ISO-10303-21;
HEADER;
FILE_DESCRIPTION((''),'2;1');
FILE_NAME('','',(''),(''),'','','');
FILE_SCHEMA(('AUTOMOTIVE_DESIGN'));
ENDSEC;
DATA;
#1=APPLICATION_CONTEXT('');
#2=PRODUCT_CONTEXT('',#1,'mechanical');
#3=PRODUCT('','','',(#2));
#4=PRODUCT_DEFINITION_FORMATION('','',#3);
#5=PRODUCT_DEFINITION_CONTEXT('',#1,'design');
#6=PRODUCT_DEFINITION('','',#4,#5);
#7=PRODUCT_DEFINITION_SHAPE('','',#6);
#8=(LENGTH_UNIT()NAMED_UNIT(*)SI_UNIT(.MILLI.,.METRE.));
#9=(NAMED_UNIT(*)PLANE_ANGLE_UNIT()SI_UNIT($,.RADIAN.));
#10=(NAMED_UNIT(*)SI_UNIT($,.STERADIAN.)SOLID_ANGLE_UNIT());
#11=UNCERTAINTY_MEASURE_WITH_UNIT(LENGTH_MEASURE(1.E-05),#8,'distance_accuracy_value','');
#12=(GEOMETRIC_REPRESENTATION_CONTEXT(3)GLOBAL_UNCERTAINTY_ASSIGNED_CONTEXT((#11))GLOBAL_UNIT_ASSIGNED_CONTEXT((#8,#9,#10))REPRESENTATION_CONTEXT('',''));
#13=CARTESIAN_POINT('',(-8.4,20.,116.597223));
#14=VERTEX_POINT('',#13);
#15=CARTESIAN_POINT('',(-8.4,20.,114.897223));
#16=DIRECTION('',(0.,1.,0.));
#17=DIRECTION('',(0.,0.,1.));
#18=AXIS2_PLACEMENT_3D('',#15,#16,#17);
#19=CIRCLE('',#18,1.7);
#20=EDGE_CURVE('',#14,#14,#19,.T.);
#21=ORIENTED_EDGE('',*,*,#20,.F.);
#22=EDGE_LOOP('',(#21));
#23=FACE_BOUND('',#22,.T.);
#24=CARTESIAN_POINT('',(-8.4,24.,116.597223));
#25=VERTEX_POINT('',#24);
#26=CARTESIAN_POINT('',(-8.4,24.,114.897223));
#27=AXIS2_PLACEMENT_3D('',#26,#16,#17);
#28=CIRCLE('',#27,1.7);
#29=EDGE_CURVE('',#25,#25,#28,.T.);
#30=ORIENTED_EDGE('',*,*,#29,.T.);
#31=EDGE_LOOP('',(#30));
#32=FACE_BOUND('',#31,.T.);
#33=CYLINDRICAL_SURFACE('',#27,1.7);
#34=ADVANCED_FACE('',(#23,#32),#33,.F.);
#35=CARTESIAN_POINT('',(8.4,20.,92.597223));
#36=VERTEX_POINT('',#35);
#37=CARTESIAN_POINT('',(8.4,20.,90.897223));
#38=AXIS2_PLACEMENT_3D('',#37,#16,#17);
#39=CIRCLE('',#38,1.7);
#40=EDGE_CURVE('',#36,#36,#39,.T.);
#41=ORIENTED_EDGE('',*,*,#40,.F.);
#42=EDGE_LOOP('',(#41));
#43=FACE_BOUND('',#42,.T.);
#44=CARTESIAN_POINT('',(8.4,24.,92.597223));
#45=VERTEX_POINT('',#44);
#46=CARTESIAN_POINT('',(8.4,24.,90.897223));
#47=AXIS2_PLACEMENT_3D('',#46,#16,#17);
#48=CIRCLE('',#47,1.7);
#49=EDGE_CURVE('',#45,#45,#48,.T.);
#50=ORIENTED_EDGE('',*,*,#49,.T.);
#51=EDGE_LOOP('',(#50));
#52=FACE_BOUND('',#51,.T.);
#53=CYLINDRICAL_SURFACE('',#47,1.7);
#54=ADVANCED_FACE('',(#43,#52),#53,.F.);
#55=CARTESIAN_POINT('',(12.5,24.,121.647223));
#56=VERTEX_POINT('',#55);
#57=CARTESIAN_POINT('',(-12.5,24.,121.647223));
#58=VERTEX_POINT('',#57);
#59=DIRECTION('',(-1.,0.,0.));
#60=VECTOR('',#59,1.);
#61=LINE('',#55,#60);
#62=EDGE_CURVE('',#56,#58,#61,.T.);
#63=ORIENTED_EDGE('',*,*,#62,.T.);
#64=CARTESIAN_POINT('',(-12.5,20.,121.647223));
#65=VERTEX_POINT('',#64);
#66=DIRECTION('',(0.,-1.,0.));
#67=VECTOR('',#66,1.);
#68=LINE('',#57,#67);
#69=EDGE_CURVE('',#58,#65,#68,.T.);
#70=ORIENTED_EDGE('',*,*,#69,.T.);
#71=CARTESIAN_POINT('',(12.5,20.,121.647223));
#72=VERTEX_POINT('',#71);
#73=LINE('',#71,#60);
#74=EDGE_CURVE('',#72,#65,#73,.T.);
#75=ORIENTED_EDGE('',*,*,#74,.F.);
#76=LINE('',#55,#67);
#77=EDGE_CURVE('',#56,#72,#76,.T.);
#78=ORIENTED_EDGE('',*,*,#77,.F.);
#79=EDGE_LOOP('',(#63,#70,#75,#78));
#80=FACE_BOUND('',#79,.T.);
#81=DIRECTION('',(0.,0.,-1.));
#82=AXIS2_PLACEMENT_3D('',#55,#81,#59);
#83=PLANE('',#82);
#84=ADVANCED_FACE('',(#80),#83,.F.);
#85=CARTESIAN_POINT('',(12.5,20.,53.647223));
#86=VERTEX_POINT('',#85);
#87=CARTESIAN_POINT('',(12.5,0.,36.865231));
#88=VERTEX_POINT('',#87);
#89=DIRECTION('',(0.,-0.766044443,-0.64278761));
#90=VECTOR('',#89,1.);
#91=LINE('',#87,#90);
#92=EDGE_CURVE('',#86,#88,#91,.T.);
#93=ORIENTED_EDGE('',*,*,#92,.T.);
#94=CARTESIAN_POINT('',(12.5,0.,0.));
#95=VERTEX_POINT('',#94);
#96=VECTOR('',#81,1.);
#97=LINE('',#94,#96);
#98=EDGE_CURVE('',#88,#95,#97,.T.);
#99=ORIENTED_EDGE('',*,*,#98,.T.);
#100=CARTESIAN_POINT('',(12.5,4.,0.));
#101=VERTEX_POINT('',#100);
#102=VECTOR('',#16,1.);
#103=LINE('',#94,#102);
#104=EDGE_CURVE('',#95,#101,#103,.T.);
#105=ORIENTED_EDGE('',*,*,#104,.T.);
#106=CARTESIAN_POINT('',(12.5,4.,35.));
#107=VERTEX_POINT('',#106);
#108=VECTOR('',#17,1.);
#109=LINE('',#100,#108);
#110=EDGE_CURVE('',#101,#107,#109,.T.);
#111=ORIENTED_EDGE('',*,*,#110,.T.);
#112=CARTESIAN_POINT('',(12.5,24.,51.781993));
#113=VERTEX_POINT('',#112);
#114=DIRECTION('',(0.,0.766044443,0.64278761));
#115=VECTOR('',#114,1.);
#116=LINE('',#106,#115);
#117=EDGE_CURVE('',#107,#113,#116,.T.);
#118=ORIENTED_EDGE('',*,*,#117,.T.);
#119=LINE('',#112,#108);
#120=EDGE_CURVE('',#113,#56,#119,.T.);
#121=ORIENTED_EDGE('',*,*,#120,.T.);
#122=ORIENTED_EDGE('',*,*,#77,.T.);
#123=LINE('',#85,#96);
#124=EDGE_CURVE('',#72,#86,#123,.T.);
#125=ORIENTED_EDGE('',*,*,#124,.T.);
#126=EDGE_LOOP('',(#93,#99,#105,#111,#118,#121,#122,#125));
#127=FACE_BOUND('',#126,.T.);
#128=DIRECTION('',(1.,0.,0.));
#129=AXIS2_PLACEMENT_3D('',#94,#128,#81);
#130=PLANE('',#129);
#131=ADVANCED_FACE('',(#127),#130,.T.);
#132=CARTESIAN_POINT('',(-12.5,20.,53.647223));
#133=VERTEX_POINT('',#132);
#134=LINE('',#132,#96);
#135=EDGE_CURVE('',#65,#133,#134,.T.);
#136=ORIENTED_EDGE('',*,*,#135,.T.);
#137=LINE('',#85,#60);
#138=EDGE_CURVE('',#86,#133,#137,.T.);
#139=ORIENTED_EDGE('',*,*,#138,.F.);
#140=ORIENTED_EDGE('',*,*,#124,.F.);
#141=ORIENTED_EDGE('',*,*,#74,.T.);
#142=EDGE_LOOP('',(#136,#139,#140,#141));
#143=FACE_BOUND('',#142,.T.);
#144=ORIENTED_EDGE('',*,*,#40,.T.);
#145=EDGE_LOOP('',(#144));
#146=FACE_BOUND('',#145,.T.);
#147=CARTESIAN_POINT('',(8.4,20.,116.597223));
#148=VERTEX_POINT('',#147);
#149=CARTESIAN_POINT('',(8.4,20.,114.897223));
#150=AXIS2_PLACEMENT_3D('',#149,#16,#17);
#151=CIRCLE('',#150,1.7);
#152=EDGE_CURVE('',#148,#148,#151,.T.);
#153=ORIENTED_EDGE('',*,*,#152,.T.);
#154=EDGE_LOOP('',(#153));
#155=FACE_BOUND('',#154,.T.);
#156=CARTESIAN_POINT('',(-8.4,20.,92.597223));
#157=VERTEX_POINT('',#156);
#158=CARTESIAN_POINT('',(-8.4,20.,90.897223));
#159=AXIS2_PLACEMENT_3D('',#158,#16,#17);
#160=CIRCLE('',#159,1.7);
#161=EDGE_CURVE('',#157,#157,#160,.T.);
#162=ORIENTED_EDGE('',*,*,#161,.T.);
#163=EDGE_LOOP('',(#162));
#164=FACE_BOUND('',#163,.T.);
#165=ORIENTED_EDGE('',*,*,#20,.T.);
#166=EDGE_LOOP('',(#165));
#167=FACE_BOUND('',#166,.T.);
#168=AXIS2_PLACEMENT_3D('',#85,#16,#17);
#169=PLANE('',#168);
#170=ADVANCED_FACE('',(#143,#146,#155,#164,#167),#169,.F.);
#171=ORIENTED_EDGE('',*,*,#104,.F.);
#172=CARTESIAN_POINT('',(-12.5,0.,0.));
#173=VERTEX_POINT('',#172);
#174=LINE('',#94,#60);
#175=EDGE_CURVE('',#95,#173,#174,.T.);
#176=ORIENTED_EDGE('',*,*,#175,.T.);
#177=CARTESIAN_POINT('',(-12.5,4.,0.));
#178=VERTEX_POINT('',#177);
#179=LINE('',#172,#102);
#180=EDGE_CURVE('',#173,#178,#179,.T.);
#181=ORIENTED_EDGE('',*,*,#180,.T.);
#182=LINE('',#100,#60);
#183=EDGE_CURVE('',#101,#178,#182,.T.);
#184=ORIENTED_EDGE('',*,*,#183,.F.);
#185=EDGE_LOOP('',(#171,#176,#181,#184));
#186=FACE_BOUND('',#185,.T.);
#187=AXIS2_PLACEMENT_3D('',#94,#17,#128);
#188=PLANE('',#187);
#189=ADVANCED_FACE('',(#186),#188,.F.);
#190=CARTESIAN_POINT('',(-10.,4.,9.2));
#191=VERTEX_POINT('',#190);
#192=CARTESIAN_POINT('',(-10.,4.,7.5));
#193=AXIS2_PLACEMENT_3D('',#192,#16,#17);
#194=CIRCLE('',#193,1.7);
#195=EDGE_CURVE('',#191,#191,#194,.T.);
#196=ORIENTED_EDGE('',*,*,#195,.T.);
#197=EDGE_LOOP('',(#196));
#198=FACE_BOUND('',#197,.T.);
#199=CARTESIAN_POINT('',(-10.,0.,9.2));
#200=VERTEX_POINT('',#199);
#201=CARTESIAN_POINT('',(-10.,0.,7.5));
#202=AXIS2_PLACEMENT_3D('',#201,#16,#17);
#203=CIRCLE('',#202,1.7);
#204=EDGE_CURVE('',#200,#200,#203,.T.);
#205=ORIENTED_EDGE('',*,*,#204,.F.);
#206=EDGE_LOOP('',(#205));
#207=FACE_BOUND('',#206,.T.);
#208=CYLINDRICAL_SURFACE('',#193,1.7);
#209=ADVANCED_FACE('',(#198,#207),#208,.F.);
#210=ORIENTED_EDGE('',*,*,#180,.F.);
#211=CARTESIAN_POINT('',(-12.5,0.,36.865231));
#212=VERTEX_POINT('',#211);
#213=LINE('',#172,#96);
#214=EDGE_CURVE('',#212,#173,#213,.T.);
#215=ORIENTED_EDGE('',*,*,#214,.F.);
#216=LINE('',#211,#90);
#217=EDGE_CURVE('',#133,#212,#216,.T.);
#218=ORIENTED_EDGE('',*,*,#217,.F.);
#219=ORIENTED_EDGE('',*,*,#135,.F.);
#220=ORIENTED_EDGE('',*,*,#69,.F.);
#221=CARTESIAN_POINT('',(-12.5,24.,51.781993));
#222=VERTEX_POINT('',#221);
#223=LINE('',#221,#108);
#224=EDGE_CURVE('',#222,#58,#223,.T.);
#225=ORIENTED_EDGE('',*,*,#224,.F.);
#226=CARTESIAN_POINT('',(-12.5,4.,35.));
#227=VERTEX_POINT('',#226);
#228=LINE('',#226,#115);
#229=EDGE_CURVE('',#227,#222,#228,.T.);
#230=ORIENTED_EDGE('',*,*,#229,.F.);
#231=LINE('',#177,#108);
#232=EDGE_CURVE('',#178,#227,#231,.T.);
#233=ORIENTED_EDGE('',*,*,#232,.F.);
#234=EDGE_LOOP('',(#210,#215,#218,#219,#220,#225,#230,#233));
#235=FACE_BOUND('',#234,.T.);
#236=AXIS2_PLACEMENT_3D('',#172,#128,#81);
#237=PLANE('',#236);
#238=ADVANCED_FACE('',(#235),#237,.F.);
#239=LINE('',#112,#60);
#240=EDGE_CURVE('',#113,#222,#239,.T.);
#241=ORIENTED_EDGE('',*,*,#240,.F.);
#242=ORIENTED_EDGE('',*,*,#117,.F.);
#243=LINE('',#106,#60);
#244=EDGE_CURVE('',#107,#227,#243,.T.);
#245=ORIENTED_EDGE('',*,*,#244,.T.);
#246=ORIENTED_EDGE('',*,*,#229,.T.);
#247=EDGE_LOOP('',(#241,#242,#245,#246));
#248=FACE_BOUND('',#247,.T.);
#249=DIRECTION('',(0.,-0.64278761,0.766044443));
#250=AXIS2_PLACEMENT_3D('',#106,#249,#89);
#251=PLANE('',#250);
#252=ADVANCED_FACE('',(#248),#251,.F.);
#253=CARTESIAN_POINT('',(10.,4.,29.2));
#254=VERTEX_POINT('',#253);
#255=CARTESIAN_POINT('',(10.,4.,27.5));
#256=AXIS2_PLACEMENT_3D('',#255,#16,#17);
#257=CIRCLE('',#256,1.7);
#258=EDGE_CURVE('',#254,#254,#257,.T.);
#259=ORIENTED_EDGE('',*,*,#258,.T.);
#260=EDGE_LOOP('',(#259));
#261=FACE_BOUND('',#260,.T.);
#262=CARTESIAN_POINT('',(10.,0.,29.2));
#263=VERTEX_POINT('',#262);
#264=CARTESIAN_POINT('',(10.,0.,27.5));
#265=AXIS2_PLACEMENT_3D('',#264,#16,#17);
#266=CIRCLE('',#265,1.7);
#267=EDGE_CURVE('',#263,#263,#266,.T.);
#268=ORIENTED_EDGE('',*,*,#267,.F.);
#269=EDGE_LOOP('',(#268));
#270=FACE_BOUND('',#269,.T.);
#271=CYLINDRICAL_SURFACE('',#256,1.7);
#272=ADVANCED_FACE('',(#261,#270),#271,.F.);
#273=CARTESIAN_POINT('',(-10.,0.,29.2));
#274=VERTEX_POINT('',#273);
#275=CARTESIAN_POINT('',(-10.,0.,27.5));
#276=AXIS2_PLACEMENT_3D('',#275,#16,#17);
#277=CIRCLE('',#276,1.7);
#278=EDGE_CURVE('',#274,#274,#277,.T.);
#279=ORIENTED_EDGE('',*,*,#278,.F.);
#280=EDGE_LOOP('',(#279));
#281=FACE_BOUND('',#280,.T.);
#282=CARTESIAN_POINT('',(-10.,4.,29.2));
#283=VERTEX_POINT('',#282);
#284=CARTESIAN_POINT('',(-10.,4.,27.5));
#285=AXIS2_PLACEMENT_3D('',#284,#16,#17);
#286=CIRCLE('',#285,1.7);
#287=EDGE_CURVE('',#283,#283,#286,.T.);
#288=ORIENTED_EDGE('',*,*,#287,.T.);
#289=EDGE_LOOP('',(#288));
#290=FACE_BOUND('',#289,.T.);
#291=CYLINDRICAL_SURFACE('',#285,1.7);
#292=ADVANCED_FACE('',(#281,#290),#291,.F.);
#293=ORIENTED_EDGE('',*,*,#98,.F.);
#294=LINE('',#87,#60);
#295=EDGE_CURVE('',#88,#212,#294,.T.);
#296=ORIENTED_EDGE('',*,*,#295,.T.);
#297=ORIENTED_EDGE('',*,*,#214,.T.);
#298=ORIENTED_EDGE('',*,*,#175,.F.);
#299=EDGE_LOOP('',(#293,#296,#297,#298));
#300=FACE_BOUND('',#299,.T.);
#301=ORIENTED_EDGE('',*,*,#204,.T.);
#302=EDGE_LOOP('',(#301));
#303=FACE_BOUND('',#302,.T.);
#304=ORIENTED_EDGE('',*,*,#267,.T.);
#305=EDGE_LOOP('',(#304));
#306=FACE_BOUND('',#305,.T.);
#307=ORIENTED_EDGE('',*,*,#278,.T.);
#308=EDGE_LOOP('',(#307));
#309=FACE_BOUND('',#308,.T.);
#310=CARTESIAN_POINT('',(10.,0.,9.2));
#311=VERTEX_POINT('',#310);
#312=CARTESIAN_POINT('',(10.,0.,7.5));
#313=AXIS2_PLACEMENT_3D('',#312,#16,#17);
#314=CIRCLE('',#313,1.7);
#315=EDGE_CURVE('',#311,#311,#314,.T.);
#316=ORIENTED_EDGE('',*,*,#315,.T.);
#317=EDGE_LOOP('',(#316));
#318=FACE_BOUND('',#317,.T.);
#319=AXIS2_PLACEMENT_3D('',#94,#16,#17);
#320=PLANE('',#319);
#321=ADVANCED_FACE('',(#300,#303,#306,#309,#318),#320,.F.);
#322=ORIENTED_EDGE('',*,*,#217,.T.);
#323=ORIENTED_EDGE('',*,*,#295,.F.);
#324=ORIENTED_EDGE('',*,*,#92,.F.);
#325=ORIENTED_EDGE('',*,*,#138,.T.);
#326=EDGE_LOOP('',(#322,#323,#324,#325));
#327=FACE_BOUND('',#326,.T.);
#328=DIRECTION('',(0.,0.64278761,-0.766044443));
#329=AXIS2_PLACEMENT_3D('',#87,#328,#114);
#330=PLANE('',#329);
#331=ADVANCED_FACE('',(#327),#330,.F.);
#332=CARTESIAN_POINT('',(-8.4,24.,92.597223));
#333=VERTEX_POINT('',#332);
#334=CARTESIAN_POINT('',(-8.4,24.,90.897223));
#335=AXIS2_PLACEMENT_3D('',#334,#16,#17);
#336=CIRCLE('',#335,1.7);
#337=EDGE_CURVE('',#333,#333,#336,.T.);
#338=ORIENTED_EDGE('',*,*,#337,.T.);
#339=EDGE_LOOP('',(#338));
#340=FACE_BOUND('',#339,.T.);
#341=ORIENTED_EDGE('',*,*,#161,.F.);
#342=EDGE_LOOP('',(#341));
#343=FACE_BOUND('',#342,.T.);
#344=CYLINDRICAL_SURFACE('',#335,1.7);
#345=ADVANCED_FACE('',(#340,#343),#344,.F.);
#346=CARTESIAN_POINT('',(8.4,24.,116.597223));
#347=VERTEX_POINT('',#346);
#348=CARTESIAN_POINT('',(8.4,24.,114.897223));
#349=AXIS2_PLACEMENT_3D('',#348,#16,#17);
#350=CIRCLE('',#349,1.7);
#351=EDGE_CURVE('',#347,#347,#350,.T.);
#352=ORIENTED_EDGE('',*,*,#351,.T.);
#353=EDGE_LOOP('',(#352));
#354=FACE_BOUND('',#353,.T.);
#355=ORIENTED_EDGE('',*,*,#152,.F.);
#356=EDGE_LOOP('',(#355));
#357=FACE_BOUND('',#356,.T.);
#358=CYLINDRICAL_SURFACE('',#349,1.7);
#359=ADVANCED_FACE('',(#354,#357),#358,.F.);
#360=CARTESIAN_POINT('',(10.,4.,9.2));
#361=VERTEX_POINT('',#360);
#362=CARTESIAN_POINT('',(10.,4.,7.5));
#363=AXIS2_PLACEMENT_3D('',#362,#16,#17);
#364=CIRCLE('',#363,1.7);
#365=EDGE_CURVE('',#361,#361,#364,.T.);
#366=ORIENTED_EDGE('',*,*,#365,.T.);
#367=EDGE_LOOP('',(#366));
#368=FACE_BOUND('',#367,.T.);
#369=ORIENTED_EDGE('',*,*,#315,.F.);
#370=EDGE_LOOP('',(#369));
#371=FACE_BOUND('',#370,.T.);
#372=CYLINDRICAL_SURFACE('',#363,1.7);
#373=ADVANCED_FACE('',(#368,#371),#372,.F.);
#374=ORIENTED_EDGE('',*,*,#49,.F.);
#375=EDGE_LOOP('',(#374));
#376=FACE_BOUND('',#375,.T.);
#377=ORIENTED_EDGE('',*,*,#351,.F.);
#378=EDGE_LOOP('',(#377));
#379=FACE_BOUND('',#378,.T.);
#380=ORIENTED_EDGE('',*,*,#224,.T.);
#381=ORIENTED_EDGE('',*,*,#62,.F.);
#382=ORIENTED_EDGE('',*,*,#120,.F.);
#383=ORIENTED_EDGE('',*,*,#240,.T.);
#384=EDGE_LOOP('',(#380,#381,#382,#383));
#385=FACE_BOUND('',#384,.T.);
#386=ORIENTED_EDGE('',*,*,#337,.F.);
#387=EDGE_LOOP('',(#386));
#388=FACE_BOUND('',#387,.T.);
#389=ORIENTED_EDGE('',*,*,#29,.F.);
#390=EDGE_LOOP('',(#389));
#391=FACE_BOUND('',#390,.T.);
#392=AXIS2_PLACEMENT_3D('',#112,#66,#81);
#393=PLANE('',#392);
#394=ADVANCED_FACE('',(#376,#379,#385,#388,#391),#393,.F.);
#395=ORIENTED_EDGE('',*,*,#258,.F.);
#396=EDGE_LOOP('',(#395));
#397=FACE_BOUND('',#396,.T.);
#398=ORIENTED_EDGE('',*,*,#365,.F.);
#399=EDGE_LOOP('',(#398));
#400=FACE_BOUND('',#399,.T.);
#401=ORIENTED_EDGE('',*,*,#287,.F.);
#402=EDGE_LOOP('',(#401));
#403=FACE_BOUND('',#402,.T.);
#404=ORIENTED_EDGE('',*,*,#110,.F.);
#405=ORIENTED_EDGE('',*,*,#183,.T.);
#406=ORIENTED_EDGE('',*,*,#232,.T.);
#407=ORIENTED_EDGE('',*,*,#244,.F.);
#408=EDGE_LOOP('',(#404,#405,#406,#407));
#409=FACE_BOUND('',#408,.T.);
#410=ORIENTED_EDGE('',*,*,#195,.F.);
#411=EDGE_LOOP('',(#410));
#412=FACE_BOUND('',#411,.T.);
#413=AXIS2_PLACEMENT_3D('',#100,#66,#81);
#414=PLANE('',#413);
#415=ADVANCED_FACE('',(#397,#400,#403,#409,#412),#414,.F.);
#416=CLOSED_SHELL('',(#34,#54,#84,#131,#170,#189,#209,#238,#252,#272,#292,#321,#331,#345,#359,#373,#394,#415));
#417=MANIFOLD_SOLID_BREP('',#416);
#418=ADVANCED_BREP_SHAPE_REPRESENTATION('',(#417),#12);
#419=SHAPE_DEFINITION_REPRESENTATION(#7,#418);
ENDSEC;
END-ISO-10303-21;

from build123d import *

# Parameters (mm, degrees)
BOSS_EXTRUDE1_DEPTH      = 12.5
M3_CLEARANCE_HOLE1_D     = 3.4
M3_CLEARANCE_HOLE1_DEPTH = 8.5
M3_CLEARANCE_HOLE1_TIP   = 1.021463052
M3_CLEARANCE_HOLE2_D     = 3.4
M3_CLEARANCE_HOLE2_DEPTH = 8.5
M3_CLEARANCE_HOLE2_TIP   = 1.021463052


with BuildPart() as part:
    # Sketch2 → Boss-Extrude1 (new body, symmetric)
    with BuildSketch(Plane(origin=(0, 0, 0), x_dir=(0, 0, -1), z_dir=(1, 0, 0))):
        Polygon((0, 0), (0, 4), (-35, 4), (-51.781992624, 24), (-121.647223256, 24), (-121.647223256, 20), (-53.647223256, 20), (-36.865230633, 0), align=None)
    extrude(amount=BOSS_EXTRUDE1_DEPTH, both=True)

    # M3 Clearance Hole1
    with Locations(Plane(origin=(0, 24, 0), x_dir=(1, 0, 0), z_dir=(0, 1, 0))):
        with Locations((-8.4, -90.897223256), (-8.4, -114.897223256), (8.4, -114.897223256), (8.4, -90.897223256)):
            Hole(M3_CLEARANCE_HOLE1_D / 2, depth=M3_CLEARANCE_HOLE1_DEPTH)
            with Locations((0, 0, -(M3_CLEARANCE_HOLE1_DEPTH + M3_CLEARANCE_HOLE1_TIP / 2))):  # 118° drill point
                Cone(0, M3_CLEARANCE_HOLE1_D / 2, M3_CLEARANCE_HOLE1_TIP, mode=Mode.SUBTRACT)

    # M3 Clearance Hole2
    with Locations(Plane(origin=(0, 4, 0), x_dir=(1, 0, 0), z_dir=(0, 1, 0))):
        with Locations((-10, -27.5), (10, -27.5), (10, -7.5), (-10, -7.5)):
            Hole(M3_CLEARANCE_HOLE2_D / 2, depth=M3_CLEARANCE_HOLE2_DEPTH)
            with Locations((0, 0, -(M3_CLEARANCE_HOLE2_DEPTH + M3_CLEARANCE_HOLE2_TIP / 2))):  # 118° drill point
                Cone(0, M3_CLEARANCE_HOLE2_D / 2, M3_CLEARANCE_HOLE2_TIP, mode=Mode.SUBTRACT)


solid = part.part
